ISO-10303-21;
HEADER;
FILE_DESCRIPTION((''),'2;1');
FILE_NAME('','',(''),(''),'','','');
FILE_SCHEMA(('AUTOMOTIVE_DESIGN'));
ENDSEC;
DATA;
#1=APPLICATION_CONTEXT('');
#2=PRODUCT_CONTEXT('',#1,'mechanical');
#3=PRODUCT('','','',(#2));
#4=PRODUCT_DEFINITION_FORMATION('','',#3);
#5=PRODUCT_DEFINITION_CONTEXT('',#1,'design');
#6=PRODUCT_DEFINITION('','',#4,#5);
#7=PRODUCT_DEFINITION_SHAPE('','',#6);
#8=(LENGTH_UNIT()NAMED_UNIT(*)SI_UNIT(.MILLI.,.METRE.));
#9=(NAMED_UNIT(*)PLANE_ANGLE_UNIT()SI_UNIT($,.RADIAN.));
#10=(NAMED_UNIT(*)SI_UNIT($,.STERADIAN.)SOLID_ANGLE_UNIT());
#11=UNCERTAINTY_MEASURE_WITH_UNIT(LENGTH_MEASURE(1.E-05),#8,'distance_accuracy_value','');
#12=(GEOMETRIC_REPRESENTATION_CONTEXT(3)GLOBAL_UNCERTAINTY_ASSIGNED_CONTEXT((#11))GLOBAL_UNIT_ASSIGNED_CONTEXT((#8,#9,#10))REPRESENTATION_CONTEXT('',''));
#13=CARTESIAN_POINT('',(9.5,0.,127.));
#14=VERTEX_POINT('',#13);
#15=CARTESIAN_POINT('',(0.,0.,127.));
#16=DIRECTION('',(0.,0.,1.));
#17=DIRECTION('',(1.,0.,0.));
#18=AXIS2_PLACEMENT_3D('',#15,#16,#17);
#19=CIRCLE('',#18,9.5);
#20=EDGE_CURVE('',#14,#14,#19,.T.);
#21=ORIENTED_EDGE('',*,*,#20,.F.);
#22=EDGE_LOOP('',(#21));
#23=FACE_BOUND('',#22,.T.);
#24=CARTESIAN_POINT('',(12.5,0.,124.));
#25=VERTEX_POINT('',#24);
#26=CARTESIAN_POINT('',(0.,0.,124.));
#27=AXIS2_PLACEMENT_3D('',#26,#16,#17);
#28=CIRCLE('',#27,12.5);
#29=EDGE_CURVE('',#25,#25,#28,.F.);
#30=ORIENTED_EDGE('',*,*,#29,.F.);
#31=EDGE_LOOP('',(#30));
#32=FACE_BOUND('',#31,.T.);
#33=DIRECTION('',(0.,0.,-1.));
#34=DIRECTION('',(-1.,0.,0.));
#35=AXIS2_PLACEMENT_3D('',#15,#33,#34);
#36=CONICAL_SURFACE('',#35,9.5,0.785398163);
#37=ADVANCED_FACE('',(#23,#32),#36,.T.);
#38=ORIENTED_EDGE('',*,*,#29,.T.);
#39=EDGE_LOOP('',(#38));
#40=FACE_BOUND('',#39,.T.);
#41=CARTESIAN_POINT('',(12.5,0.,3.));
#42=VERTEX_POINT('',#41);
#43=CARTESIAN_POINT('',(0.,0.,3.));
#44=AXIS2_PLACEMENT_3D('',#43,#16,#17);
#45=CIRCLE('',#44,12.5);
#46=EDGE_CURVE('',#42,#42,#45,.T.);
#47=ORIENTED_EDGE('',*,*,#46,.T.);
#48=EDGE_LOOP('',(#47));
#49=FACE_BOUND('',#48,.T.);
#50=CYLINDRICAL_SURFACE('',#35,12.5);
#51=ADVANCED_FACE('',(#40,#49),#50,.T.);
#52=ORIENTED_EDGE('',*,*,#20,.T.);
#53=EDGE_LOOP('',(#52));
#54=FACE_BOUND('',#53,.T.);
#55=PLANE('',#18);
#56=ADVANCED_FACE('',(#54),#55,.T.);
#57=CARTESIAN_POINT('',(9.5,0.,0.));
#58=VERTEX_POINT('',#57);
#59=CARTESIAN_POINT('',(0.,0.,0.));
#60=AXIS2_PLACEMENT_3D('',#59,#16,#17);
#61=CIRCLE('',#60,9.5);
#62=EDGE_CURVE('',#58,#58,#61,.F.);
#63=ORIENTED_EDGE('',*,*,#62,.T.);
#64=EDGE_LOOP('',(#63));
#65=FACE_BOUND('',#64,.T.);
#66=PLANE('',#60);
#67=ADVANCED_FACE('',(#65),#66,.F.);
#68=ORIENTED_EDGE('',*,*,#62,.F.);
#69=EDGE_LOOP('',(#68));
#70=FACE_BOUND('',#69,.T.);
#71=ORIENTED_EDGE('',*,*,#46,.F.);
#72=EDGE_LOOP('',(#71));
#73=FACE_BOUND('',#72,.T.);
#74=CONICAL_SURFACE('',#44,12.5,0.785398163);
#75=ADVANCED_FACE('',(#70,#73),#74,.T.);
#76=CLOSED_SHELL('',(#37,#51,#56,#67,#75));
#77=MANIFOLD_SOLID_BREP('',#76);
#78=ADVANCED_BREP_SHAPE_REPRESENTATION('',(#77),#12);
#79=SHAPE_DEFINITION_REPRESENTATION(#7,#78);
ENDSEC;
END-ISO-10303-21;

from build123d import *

# Parameters (mm, degrees)
SKETCH1_R           = 12.5
BOSS_EXTRUDE1_DEPTH = 127
CHAMFER1_SIZE       = 3


with BuildPart() as part:
    # Sketch1 → Boss-Extrude1 (new body)
    with BuildSketch(Plane.XY):
        Circle(SKETCH1_R)
    extrude(amount=BOSS_EXTRUDE1_DEPTH)

    # Chamfer1
    chamfer1_edges = [part.edges().sort_by_distance(p)[0] for p in [
        (-12.5, 0, 0),
        (-12.5, 0, 127),
    ]]
    chamfer(chamfer1_edges, length=CHAMFER1_SIZE)


solid = part.part
